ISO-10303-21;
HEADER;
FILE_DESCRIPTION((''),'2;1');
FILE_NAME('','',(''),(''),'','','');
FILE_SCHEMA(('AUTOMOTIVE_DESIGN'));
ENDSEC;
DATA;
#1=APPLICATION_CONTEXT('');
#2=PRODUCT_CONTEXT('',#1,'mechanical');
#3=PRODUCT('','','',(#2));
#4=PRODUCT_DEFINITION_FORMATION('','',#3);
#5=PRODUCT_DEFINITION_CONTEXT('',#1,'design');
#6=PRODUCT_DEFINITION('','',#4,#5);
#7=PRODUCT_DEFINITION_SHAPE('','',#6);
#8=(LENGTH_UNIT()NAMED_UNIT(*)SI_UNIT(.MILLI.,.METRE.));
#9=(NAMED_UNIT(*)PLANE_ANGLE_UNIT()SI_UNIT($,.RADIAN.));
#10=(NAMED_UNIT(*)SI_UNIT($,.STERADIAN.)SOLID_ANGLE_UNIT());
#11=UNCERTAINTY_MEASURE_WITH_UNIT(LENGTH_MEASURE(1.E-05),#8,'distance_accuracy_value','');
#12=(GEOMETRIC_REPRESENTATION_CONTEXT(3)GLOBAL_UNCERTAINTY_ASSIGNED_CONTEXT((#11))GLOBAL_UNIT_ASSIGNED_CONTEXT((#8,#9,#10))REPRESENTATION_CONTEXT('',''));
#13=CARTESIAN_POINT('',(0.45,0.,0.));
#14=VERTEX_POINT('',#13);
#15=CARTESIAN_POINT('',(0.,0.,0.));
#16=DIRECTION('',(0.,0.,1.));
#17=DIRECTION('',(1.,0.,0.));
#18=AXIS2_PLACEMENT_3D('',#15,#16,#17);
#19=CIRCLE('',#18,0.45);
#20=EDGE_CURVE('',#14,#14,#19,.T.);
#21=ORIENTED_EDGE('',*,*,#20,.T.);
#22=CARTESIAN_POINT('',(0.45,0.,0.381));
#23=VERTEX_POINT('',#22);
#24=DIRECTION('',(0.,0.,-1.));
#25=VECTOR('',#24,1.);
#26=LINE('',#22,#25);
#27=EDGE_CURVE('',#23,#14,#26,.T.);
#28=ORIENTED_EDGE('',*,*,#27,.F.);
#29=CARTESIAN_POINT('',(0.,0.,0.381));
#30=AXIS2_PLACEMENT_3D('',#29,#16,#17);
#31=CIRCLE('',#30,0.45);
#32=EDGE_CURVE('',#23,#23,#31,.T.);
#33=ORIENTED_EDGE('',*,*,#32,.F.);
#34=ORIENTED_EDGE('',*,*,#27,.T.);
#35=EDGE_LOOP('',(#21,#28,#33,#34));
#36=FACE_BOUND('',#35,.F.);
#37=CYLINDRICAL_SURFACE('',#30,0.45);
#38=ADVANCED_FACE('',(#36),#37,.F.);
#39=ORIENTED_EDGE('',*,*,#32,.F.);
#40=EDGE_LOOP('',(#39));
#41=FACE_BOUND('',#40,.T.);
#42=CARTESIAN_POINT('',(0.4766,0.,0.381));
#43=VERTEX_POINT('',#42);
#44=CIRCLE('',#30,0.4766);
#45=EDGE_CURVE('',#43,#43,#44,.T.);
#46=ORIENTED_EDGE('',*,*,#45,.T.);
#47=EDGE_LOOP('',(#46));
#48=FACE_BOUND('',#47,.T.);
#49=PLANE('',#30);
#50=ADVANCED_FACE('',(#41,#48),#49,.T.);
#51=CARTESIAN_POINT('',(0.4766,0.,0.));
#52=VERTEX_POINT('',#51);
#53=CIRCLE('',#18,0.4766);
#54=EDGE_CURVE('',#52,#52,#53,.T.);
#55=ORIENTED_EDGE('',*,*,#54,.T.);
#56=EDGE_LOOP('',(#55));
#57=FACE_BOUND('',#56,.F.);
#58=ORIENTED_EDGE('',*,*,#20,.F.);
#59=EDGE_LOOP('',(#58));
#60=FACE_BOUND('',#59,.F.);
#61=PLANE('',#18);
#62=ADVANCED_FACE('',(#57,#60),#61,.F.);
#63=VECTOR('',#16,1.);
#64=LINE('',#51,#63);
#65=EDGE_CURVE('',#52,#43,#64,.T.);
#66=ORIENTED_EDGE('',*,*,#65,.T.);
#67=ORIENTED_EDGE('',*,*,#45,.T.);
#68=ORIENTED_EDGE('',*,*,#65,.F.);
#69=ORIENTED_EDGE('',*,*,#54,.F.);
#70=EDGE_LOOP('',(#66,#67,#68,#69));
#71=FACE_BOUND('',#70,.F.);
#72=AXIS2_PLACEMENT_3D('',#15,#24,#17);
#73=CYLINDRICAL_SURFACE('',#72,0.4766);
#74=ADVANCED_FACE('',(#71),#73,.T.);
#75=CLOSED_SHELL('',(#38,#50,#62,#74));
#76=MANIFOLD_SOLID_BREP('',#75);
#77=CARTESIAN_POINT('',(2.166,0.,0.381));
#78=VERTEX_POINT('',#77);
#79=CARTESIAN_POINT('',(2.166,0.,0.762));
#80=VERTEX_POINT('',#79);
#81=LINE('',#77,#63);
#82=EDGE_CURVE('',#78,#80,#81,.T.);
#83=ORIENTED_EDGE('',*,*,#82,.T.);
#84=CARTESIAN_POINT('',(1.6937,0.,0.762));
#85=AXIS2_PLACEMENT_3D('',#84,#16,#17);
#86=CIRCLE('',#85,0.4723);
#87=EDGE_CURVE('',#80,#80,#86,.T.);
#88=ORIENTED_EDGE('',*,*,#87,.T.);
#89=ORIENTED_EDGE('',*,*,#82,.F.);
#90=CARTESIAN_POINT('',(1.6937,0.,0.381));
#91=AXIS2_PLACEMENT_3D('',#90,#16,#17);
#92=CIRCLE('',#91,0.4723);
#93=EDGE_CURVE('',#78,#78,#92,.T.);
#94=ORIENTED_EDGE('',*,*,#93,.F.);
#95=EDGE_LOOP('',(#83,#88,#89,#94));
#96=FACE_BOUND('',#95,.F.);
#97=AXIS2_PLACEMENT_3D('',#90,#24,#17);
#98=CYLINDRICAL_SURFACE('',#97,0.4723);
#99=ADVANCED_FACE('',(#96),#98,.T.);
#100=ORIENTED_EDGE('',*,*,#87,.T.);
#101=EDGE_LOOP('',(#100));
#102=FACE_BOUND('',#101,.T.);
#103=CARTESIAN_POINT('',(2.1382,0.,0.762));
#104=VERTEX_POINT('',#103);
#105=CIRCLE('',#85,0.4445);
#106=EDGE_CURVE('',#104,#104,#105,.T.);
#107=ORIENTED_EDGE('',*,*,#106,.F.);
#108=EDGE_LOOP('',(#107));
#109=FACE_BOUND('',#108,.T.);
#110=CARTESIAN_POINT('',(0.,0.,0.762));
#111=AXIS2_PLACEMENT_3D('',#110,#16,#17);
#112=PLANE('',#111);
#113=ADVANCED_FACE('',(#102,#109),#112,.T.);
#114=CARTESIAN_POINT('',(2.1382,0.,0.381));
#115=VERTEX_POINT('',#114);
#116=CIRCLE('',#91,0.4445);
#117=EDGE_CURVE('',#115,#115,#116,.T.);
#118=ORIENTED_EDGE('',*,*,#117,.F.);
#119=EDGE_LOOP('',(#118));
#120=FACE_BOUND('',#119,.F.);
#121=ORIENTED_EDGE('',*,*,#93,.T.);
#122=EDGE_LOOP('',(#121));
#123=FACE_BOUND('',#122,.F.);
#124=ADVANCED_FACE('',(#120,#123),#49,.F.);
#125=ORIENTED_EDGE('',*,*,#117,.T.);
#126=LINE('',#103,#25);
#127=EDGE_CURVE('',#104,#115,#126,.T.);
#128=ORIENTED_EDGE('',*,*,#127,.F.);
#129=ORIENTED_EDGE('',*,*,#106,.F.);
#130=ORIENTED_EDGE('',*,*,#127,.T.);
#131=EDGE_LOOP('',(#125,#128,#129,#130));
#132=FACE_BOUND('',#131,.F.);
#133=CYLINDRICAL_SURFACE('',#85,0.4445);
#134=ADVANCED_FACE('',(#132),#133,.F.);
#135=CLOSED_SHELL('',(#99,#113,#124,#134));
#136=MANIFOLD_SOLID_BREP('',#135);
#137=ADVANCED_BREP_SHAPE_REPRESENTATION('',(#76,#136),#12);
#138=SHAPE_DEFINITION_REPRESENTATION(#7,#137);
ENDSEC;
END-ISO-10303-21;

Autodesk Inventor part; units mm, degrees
ref_plane "YZ Plane" through (0, 0, 0) normal (1, 0, 0) x (0, 1, 0)
ref_plane "XZ Plane" through (0, 0, 0) normal (0, 1, 0) x (-1, 0, 0)
ref_plane "XY Plane" through (0, 0, 0) normal (0, 0, 1) x (1, 0, 0)
sketch "Sketch1" plane through (0, 0, 0) normal (0, 0, 1) x (1, 0, 0)
  circle A0 centre (0, 0) radius 0.4766
extrude "Extrusion1" add sketch "Sketch1" along normal blind 0.381
sketch "Sketch2" plane through (0, 0, 0.381) normal (0, 0, 1) x (1, 0, 0)
  circle A0 centre (0, 0) radius 0.45
extrude "Extrusion2" cut sketch "Sketch2" against normal blind 0.381
sketch "Sketch3" plane through (0, 0, 0.381) normal (0, 0, 1) x (1, 0, 0)
  point P0 (0, 0)
sketch "Sketch4" plane through (0, 0, 0.381) normal (0, 0, 1) x (1, 0, 0)
  circle A0 centre (1.6937, 0) radius 0.4723
  point P0 (0, 0)
extrude "Extrusion3" add sketch "Sketch4" along normal blind 0.381
sketch "Sketch5" plane through (1.6937, 0, 0.762) normal (0, 0, 1) x (1, 0, 0)
  circle A0 centre (0, 0) radius 0.4445
  point P0 (-1.6937, 0)
  dimension "d6" = 0.889
extrude "Extrusion4" cut sketch "Sketch5" against normal blind 0.381
properties part number "rings" material "Steel, Cast"
